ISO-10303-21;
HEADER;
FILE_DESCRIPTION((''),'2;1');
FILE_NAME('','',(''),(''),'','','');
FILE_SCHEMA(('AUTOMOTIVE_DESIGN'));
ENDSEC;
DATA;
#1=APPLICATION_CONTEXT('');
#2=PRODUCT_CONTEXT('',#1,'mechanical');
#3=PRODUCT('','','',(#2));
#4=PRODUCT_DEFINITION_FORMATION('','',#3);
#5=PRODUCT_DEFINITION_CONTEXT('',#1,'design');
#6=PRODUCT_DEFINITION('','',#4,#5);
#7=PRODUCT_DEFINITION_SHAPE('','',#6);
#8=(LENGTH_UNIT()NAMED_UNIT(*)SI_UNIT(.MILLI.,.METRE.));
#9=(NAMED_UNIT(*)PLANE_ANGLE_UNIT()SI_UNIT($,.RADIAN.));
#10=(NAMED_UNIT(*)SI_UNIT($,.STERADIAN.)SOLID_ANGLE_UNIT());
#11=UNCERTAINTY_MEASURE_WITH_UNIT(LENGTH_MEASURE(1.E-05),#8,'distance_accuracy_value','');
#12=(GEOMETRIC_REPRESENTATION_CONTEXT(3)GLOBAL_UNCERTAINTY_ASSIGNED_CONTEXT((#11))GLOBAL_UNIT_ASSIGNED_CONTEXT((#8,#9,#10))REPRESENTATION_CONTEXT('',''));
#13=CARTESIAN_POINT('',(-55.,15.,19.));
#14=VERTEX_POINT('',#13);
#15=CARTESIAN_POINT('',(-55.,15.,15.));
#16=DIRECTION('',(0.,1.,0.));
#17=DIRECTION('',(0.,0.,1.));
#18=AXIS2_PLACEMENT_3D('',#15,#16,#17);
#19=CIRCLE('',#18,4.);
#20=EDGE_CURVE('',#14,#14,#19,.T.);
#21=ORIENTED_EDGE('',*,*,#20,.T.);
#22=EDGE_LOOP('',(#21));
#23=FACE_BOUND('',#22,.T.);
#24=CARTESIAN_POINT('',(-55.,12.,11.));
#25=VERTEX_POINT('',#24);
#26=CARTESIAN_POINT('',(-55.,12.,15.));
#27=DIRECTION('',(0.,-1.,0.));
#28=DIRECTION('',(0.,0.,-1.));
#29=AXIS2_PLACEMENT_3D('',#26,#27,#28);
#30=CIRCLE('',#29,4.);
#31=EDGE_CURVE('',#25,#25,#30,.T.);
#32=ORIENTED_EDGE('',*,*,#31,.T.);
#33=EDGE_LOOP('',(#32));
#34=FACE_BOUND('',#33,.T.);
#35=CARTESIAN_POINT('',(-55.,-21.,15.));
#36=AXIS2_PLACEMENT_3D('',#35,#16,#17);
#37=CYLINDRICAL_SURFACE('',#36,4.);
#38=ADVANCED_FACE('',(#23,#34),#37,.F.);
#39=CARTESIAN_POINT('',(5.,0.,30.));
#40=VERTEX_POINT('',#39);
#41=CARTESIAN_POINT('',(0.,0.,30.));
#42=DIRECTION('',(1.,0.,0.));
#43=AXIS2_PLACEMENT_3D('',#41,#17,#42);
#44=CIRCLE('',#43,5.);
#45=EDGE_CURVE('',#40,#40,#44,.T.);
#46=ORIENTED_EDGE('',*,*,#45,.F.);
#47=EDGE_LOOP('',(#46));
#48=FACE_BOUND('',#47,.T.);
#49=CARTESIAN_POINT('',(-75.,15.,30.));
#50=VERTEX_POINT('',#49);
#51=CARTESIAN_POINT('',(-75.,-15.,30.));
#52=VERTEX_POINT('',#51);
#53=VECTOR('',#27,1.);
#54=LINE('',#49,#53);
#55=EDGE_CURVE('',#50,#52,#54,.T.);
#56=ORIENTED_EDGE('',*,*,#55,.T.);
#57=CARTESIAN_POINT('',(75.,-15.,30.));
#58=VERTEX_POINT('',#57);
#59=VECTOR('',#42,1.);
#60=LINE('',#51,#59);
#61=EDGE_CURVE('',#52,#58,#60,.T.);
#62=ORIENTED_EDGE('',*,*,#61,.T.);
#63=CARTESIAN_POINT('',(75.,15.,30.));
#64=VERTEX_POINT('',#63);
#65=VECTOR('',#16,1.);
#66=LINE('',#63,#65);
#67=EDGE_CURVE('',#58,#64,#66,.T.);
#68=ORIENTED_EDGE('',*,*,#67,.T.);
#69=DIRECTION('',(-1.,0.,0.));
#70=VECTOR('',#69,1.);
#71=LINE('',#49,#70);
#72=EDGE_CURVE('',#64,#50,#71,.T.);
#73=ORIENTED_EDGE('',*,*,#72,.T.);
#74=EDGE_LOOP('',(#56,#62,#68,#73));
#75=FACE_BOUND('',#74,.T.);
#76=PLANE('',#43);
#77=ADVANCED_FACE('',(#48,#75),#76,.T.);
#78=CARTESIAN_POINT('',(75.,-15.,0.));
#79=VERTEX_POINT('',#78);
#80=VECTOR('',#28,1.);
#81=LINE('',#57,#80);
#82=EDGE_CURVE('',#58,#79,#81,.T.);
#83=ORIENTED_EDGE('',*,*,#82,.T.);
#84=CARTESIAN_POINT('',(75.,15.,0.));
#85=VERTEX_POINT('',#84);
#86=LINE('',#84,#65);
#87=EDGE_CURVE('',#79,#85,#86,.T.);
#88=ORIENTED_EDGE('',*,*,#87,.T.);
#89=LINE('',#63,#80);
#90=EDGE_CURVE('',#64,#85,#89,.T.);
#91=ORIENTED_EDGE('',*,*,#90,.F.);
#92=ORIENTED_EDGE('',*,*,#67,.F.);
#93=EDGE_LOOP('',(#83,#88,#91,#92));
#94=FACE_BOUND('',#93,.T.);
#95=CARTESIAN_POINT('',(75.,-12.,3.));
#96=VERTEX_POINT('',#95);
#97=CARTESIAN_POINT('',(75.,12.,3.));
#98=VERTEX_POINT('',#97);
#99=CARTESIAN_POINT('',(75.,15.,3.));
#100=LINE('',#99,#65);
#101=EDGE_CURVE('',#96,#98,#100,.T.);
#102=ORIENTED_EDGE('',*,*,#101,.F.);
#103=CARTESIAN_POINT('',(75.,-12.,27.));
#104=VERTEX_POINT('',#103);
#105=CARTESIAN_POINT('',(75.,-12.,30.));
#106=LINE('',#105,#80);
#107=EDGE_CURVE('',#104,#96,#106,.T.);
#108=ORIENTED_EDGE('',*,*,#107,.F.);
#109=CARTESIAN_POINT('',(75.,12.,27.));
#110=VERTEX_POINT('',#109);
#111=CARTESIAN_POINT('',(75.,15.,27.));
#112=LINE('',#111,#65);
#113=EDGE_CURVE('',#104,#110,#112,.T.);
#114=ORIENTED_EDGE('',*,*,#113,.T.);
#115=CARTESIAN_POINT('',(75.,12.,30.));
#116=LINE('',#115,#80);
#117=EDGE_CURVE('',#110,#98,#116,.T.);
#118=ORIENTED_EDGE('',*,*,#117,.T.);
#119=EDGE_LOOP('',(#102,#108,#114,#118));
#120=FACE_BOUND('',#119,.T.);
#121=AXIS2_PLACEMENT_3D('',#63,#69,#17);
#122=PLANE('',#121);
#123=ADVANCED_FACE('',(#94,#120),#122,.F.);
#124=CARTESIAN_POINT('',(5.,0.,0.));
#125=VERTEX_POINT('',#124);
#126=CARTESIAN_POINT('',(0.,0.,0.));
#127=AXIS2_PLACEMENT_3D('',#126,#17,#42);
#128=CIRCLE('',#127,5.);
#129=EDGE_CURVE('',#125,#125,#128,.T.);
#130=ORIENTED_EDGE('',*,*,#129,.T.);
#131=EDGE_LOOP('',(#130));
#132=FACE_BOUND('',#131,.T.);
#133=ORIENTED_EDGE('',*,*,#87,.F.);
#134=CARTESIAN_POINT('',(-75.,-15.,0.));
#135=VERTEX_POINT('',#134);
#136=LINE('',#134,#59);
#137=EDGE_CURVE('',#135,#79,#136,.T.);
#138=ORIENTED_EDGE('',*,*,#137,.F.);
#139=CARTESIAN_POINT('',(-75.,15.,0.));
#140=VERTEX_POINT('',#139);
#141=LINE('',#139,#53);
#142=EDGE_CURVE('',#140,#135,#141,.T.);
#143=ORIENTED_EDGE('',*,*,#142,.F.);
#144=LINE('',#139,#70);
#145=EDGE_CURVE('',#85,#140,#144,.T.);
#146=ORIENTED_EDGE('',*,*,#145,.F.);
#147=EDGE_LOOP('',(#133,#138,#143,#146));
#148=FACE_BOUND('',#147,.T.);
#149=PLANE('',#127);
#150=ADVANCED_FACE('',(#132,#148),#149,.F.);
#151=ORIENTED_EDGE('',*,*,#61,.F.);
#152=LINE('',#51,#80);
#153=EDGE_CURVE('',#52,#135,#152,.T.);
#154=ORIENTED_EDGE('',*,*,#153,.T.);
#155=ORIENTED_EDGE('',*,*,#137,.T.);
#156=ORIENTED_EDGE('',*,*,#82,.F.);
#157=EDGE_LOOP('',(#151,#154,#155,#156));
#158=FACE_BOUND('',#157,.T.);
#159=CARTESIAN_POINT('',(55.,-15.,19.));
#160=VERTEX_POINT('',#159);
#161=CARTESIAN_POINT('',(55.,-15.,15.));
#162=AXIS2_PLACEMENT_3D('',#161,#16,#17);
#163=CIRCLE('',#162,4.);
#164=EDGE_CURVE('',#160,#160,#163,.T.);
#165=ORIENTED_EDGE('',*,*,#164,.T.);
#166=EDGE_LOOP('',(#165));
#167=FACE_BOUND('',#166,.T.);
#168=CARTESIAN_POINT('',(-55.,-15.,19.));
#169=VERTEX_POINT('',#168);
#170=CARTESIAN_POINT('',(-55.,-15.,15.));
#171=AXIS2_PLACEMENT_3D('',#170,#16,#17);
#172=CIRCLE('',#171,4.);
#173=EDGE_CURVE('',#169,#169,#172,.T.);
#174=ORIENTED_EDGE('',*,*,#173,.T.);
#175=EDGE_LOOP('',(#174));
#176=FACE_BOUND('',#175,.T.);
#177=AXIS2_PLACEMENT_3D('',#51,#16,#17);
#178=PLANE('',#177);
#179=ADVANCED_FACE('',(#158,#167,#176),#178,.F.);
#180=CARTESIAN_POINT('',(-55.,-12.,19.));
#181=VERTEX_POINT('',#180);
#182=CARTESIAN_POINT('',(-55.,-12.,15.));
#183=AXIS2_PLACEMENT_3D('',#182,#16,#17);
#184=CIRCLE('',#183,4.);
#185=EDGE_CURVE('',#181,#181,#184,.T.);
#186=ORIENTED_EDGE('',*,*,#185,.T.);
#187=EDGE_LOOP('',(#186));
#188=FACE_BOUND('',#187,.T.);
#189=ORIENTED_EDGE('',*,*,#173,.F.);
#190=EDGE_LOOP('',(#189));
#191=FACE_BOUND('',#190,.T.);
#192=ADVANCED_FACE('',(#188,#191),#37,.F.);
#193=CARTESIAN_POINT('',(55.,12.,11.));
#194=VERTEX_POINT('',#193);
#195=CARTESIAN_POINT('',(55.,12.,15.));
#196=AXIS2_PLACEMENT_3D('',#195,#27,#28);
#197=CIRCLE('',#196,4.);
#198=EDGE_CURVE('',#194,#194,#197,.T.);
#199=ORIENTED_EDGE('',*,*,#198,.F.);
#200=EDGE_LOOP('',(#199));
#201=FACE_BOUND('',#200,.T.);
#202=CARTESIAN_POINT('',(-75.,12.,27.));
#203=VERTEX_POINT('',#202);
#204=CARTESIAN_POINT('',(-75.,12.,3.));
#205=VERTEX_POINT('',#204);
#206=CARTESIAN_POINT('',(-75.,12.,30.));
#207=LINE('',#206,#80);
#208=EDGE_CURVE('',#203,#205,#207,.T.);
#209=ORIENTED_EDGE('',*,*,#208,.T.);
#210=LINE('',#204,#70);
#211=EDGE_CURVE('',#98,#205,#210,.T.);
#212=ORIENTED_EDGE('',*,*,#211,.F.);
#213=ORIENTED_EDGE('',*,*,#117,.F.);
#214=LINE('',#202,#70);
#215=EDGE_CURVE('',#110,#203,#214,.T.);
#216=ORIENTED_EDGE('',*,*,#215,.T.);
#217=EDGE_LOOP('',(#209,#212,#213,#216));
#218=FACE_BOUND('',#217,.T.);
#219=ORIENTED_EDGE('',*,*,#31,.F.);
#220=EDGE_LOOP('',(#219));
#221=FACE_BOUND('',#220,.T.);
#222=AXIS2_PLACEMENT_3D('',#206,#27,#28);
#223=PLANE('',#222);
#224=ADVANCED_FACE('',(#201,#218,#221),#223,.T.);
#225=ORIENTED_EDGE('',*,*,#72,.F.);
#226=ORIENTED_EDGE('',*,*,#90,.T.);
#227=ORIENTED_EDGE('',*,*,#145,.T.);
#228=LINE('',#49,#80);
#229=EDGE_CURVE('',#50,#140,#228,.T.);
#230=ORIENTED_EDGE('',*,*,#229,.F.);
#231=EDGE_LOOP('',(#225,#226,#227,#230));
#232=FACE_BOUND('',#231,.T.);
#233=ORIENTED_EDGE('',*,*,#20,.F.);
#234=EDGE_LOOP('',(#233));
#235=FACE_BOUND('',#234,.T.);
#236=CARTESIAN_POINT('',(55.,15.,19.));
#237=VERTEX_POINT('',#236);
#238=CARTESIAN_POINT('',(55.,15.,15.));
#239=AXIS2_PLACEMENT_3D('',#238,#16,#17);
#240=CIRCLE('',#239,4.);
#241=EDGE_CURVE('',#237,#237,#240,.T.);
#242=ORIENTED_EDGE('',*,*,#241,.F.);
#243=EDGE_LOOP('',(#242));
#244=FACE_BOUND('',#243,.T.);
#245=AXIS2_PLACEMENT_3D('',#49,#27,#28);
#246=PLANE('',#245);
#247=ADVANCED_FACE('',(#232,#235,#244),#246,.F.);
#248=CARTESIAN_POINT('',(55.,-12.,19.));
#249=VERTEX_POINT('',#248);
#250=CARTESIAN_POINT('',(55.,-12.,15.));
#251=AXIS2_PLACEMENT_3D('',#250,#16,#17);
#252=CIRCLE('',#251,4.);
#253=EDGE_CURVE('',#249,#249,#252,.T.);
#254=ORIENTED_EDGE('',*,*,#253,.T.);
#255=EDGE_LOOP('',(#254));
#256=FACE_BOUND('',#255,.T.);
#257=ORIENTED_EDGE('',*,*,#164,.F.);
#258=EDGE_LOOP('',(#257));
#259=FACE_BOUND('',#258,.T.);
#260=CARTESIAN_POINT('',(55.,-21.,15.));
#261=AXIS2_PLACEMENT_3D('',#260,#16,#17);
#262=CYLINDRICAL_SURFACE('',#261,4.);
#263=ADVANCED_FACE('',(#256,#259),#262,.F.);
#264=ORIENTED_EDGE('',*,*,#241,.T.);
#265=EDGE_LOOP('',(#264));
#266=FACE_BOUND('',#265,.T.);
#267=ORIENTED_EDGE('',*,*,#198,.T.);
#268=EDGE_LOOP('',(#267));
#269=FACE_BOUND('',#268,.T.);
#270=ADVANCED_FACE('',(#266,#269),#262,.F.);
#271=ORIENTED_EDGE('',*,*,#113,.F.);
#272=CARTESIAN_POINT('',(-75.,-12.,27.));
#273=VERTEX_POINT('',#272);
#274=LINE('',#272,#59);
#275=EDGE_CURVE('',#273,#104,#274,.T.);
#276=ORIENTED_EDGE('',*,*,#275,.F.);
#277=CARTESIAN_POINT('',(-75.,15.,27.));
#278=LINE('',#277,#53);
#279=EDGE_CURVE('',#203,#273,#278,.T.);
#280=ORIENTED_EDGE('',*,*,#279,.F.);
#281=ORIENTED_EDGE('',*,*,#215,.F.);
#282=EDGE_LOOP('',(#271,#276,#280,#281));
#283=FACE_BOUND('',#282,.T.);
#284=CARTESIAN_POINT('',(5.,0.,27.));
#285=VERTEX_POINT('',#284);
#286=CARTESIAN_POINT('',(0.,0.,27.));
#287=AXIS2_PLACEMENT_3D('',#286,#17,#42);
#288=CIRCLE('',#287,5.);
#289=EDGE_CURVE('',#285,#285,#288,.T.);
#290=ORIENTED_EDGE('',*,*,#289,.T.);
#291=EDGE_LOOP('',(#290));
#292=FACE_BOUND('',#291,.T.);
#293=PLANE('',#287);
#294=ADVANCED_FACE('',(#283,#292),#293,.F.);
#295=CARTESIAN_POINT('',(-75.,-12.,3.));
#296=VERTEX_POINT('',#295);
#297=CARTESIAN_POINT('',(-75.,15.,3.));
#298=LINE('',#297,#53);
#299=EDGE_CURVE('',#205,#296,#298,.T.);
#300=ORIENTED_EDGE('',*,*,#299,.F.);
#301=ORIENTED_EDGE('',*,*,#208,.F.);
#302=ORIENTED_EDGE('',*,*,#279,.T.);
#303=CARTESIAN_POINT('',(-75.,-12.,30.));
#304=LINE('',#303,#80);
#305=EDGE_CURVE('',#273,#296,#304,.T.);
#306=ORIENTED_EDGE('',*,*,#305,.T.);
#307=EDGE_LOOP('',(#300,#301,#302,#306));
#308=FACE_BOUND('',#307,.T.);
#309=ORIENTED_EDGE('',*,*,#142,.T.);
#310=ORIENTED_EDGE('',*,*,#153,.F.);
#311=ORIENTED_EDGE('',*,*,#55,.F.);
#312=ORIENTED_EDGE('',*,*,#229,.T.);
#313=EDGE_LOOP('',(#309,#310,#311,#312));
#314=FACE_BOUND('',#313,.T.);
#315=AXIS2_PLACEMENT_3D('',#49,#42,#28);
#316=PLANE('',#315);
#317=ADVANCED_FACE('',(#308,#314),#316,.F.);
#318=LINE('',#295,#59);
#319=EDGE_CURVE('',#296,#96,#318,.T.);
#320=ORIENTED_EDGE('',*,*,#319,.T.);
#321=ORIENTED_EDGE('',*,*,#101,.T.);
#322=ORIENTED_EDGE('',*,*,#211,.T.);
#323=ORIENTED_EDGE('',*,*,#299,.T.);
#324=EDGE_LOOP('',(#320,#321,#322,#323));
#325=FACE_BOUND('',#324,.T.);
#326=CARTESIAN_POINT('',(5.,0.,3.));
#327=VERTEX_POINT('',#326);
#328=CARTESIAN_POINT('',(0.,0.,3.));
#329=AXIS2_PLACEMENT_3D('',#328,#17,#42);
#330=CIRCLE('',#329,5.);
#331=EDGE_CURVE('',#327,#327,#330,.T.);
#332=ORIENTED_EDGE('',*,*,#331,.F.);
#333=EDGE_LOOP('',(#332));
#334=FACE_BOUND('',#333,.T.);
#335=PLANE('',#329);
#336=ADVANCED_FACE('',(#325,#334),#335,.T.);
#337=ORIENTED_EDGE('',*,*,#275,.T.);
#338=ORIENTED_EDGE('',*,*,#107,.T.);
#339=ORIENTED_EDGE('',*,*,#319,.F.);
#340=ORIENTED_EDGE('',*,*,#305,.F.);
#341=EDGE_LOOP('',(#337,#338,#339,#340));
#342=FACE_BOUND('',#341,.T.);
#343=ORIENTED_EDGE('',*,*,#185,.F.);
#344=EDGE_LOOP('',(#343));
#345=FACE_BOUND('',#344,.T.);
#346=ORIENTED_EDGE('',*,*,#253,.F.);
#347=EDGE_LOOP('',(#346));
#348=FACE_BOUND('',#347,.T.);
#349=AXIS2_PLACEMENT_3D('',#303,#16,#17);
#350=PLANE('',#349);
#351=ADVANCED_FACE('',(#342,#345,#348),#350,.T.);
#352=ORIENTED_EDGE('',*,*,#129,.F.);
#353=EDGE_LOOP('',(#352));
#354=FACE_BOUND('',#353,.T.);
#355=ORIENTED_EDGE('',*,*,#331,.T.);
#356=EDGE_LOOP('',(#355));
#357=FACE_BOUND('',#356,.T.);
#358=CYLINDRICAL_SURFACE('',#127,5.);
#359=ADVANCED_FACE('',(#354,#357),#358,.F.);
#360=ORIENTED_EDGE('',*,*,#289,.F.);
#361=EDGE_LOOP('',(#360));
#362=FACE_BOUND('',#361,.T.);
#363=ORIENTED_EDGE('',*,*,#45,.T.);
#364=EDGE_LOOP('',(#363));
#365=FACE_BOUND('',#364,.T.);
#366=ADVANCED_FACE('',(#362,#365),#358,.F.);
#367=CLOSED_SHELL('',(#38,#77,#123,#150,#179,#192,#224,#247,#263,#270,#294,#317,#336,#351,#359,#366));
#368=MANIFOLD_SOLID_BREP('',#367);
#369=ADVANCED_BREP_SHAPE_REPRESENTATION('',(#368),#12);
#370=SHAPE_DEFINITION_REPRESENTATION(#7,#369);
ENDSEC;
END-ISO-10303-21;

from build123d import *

# Parameters (mm, degrees)
SKETCH1_W           = 150
SKETCH1_H           = 30
BOSS_EXTRUDE1_DEPTH = 30
SHELL1_T            = -3
SKETCH2_R           = 5
CUT_EXTRUDE1_DEPTH  = 30
SKETCH3_R           = 4
CUT_EXTRUDE2_DEPTH  = 36


with BuildPart() as part:
    # Sketch1 → Boss-Extrude1 (new body)
    with BuildSketch(Plane.XY):
        Rectangle(SKETCH1_W, SKETCH1_H)
    extrude(amount=BOSS_EXTRUDE1_DEPTH)

    # Shell1
    shell1_openings = [part.faces().sort_by_distance(p)[0] for p in [
        (-75, 0, 15),
        (75, 0, 15),
    ]]
    offset(amount=SHELL1_T, openings=shell1_openings, kind=Kind.INTERSECTION)

    # Sketch2 → Cut-Extrude1 (cut)
    with BuildSketch(Plane.XY.offset(30)):
        Circle(SKETCH2_R)
    extrude(amount=-CUT_EXTRUDE1_DEPTH, mode=Mode.SUBTRACT)

    # Sketch3 → Cut-Extrude2 (cut)
    with BuildSketch(Plane(origin=(0, 15, 0), x_dir=(1, 0, 0), z_dir=(0, 1, 0))):
        with Locations((-55, -15)):
            Circle(SKETCH3_R)
        with Locations((55, -15)):
            Circle(SKETCH3_R)
    extrude(amount=-CUT_EXTRUDE2_DEPTH, mode=Mode.SUBTRACT)


solid = part.part
